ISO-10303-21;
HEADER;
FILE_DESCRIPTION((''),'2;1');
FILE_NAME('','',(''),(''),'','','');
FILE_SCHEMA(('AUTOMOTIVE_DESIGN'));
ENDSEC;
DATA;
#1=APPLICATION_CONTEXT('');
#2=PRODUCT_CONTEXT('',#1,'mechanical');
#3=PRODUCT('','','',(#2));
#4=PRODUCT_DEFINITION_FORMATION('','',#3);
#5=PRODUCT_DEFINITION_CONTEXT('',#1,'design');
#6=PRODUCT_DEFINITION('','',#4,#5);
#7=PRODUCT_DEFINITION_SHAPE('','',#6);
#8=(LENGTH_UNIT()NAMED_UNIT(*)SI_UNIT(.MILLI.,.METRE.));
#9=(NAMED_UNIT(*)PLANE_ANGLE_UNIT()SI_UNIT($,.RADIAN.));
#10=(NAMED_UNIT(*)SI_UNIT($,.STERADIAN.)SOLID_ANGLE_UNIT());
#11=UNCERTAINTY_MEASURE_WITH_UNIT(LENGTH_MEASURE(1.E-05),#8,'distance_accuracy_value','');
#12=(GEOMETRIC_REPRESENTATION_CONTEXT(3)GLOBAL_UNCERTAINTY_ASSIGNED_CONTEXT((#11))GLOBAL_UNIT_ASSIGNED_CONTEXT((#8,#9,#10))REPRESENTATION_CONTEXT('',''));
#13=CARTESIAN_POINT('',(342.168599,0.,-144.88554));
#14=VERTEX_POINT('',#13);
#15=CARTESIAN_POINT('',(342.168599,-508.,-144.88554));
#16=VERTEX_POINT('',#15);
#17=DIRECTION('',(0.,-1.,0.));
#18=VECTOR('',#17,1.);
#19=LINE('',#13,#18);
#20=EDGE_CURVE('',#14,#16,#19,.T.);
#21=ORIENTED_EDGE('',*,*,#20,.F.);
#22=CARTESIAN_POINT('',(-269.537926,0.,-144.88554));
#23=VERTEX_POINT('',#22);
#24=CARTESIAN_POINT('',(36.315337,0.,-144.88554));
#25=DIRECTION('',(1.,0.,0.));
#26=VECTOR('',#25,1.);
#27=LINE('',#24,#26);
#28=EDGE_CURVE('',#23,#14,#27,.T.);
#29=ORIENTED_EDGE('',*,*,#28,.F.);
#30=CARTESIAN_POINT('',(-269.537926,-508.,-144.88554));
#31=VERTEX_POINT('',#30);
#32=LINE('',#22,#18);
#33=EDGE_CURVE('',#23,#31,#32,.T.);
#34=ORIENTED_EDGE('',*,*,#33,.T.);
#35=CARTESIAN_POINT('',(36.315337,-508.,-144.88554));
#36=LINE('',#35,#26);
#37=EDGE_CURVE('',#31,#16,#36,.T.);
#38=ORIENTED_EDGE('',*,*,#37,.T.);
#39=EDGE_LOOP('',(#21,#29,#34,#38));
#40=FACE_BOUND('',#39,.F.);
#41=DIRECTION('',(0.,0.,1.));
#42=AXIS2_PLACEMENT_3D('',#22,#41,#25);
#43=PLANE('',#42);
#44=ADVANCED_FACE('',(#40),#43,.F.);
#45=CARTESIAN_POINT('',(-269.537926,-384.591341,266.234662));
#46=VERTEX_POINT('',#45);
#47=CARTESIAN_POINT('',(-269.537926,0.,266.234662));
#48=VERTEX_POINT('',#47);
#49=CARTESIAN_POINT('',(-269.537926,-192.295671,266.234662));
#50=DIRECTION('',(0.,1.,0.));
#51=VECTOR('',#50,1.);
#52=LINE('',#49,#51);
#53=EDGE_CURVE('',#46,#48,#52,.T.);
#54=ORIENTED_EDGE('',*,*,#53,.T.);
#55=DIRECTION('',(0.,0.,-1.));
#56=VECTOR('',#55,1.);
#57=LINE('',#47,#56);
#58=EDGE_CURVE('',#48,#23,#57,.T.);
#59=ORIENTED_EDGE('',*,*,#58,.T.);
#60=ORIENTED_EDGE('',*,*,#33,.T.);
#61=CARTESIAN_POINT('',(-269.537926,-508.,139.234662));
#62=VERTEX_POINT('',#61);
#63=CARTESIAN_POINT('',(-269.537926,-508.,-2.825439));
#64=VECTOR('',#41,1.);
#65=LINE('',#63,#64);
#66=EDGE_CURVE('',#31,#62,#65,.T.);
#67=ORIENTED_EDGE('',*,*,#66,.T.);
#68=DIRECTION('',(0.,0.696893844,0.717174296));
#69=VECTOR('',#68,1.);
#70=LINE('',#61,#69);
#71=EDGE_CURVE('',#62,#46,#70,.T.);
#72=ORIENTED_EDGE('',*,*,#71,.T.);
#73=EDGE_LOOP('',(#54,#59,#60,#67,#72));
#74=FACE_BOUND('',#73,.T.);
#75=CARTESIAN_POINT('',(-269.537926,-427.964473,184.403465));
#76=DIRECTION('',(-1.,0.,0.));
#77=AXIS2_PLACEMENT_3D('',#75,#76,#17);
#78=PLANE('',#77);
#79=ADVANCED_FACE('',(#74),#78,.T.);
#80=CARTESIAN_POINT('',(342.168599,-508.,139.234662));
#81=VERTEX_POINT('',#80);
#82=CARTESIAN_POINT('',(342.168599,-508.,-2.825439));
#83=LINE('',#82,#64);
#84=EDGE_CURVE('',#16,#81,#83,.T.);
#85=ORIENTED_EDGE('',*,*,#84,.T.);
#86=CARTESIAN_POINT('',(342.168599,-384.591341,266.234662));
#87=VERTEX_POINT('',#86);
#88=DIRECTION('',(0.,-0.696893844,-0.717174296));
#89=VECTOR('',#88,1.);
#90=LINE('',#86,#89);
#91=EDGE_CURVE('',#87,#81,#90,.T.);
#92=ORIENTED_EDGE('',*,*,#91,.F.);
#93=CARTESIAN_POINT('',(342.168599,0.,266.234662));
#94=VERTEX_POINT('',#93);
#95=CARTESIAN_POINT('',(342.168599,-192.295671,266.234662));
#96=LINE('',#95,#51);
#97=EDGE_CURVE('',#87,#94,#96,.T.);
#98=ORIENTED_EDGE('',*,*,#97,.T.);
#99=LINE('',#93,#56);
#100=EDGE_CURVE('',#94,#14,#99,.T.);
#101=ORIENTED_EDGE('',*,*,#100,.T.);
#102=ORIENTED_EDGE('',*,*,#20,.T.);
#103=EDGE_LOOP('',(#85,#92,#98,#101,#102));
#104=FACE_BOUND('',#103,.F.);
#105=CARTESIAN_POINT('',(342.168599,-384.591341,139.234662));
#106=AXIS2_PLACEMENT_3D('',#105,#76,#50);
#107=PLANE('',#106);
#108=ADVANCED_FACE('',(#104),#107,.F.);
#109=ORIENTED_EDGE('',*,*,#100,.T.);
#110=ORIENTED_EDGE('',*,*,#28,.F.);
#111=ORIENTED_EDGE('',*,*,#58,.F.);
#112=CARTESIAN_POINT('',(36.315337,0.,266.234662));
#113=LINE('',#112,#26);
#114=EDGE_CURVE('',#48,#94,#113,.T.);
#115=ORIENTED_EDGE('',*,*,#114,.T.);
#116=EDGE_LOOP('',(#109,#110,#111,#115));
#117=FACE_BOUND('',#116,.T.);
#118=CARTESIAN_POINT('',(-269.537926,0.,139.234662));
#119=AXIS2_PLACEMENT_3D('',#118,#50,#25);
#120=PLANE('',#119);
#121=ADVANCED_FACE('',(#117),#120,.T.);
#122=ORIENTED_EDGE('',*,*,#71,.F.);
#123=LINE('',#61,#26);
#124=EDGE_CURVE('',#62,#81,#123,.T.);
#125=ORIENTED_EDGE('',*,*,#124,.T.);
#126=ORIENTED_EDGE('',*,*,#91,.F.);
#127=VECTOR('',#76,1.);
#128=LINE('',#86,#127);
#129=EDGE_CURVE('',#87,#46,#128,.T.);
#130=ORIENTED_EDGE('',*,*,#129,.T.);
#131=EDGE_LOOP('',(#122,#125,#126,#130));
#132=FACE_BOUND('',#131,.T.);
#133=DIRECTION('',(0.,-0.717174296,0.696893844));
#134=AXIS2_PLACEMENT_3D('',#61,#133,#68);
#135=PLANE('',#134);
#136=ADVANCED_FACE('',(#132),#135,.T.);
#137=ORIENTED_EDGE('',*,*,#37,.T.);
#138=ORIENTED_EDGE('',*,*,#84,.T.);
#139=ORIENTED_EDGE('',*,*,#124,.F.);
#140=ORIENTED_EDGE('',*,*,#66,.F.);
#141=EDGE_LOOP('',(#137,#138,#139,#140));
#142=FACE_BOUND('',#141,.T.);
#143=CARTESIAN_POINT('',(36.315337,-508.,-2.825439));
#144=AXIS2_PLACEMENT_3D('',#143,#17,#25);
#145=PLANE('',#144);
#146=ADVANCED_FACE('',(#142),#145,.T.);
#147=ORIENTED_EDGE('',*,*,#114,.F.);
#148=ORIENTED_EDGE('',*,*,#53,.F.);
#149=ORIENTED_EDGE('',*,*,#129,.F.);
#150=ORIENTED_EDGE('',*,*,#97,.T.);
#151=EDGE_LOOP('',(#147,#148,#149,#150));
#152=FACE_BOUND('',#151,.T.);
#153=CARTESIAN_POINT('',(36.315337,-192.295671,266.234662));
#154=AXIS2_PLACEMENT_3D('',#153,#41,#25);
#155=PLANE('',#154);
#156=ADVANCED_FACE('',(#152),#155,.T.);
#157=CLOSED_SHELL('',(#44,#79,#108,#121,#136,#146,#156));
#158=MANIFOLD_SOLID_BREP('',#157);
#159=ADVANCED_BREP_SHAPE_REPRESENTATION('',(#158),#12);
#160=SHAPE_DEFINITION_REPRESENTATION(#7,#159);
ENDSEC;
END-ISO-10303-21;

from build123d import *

# Parameters (mm, degrees)
F0_W     = 611.7065250874
F0_H     = 284.1202020645
F1_DEPTH = 508
F2_W     = 611.7065250874
F2_H     = 384.5913410187
F3_DEPTH = 127
F6_DEPTH = 535.686
F7_DEPTH = 254


with BuildPart() as f1:
    # F0 (on Front) → F1 (new body)
    with BuildSketch(Plane.XZ):
        with Locations((36.3153368235, -2.8254389763)):
            Rectangle(F0_W, F0_H)
    extrude(amount=F1_DEPTH)

    # F2 (on face) → F3 (join)
    with BuildSketch(Plane.XY.offset(139.234662056)):
        with Locations((36.3153368235, -192.2956705093)):
            Rectangle(F2_W, F2_H)
    extrude(amount=F3_DEPTH)

    # F5 (on face) → F6 (join)
    with BuildSketch(Plane(origin=(-269.5379257202, 0, 0), x_dir=(0, -1, 0), z_dir=(-1, 0, 0))):
        Polygon((508, 139.234662056), (384.5913410187, 266.234662056), (384.5913410187, 139.234662056), align=None)
    extrude(amount=-F6_DEPTH)

    # F4 (on face) → F7 (join)
    with BuildSketch(Plane.YZ.offset(342.1685993671)):
        Polygon((-384.5913410187, 139.234662056), (-384.5913410187, 266.234662056), (-508, 139.234662056), align=None)
    extrude(amount=-F7_DEPTH)


solid = f1.part
